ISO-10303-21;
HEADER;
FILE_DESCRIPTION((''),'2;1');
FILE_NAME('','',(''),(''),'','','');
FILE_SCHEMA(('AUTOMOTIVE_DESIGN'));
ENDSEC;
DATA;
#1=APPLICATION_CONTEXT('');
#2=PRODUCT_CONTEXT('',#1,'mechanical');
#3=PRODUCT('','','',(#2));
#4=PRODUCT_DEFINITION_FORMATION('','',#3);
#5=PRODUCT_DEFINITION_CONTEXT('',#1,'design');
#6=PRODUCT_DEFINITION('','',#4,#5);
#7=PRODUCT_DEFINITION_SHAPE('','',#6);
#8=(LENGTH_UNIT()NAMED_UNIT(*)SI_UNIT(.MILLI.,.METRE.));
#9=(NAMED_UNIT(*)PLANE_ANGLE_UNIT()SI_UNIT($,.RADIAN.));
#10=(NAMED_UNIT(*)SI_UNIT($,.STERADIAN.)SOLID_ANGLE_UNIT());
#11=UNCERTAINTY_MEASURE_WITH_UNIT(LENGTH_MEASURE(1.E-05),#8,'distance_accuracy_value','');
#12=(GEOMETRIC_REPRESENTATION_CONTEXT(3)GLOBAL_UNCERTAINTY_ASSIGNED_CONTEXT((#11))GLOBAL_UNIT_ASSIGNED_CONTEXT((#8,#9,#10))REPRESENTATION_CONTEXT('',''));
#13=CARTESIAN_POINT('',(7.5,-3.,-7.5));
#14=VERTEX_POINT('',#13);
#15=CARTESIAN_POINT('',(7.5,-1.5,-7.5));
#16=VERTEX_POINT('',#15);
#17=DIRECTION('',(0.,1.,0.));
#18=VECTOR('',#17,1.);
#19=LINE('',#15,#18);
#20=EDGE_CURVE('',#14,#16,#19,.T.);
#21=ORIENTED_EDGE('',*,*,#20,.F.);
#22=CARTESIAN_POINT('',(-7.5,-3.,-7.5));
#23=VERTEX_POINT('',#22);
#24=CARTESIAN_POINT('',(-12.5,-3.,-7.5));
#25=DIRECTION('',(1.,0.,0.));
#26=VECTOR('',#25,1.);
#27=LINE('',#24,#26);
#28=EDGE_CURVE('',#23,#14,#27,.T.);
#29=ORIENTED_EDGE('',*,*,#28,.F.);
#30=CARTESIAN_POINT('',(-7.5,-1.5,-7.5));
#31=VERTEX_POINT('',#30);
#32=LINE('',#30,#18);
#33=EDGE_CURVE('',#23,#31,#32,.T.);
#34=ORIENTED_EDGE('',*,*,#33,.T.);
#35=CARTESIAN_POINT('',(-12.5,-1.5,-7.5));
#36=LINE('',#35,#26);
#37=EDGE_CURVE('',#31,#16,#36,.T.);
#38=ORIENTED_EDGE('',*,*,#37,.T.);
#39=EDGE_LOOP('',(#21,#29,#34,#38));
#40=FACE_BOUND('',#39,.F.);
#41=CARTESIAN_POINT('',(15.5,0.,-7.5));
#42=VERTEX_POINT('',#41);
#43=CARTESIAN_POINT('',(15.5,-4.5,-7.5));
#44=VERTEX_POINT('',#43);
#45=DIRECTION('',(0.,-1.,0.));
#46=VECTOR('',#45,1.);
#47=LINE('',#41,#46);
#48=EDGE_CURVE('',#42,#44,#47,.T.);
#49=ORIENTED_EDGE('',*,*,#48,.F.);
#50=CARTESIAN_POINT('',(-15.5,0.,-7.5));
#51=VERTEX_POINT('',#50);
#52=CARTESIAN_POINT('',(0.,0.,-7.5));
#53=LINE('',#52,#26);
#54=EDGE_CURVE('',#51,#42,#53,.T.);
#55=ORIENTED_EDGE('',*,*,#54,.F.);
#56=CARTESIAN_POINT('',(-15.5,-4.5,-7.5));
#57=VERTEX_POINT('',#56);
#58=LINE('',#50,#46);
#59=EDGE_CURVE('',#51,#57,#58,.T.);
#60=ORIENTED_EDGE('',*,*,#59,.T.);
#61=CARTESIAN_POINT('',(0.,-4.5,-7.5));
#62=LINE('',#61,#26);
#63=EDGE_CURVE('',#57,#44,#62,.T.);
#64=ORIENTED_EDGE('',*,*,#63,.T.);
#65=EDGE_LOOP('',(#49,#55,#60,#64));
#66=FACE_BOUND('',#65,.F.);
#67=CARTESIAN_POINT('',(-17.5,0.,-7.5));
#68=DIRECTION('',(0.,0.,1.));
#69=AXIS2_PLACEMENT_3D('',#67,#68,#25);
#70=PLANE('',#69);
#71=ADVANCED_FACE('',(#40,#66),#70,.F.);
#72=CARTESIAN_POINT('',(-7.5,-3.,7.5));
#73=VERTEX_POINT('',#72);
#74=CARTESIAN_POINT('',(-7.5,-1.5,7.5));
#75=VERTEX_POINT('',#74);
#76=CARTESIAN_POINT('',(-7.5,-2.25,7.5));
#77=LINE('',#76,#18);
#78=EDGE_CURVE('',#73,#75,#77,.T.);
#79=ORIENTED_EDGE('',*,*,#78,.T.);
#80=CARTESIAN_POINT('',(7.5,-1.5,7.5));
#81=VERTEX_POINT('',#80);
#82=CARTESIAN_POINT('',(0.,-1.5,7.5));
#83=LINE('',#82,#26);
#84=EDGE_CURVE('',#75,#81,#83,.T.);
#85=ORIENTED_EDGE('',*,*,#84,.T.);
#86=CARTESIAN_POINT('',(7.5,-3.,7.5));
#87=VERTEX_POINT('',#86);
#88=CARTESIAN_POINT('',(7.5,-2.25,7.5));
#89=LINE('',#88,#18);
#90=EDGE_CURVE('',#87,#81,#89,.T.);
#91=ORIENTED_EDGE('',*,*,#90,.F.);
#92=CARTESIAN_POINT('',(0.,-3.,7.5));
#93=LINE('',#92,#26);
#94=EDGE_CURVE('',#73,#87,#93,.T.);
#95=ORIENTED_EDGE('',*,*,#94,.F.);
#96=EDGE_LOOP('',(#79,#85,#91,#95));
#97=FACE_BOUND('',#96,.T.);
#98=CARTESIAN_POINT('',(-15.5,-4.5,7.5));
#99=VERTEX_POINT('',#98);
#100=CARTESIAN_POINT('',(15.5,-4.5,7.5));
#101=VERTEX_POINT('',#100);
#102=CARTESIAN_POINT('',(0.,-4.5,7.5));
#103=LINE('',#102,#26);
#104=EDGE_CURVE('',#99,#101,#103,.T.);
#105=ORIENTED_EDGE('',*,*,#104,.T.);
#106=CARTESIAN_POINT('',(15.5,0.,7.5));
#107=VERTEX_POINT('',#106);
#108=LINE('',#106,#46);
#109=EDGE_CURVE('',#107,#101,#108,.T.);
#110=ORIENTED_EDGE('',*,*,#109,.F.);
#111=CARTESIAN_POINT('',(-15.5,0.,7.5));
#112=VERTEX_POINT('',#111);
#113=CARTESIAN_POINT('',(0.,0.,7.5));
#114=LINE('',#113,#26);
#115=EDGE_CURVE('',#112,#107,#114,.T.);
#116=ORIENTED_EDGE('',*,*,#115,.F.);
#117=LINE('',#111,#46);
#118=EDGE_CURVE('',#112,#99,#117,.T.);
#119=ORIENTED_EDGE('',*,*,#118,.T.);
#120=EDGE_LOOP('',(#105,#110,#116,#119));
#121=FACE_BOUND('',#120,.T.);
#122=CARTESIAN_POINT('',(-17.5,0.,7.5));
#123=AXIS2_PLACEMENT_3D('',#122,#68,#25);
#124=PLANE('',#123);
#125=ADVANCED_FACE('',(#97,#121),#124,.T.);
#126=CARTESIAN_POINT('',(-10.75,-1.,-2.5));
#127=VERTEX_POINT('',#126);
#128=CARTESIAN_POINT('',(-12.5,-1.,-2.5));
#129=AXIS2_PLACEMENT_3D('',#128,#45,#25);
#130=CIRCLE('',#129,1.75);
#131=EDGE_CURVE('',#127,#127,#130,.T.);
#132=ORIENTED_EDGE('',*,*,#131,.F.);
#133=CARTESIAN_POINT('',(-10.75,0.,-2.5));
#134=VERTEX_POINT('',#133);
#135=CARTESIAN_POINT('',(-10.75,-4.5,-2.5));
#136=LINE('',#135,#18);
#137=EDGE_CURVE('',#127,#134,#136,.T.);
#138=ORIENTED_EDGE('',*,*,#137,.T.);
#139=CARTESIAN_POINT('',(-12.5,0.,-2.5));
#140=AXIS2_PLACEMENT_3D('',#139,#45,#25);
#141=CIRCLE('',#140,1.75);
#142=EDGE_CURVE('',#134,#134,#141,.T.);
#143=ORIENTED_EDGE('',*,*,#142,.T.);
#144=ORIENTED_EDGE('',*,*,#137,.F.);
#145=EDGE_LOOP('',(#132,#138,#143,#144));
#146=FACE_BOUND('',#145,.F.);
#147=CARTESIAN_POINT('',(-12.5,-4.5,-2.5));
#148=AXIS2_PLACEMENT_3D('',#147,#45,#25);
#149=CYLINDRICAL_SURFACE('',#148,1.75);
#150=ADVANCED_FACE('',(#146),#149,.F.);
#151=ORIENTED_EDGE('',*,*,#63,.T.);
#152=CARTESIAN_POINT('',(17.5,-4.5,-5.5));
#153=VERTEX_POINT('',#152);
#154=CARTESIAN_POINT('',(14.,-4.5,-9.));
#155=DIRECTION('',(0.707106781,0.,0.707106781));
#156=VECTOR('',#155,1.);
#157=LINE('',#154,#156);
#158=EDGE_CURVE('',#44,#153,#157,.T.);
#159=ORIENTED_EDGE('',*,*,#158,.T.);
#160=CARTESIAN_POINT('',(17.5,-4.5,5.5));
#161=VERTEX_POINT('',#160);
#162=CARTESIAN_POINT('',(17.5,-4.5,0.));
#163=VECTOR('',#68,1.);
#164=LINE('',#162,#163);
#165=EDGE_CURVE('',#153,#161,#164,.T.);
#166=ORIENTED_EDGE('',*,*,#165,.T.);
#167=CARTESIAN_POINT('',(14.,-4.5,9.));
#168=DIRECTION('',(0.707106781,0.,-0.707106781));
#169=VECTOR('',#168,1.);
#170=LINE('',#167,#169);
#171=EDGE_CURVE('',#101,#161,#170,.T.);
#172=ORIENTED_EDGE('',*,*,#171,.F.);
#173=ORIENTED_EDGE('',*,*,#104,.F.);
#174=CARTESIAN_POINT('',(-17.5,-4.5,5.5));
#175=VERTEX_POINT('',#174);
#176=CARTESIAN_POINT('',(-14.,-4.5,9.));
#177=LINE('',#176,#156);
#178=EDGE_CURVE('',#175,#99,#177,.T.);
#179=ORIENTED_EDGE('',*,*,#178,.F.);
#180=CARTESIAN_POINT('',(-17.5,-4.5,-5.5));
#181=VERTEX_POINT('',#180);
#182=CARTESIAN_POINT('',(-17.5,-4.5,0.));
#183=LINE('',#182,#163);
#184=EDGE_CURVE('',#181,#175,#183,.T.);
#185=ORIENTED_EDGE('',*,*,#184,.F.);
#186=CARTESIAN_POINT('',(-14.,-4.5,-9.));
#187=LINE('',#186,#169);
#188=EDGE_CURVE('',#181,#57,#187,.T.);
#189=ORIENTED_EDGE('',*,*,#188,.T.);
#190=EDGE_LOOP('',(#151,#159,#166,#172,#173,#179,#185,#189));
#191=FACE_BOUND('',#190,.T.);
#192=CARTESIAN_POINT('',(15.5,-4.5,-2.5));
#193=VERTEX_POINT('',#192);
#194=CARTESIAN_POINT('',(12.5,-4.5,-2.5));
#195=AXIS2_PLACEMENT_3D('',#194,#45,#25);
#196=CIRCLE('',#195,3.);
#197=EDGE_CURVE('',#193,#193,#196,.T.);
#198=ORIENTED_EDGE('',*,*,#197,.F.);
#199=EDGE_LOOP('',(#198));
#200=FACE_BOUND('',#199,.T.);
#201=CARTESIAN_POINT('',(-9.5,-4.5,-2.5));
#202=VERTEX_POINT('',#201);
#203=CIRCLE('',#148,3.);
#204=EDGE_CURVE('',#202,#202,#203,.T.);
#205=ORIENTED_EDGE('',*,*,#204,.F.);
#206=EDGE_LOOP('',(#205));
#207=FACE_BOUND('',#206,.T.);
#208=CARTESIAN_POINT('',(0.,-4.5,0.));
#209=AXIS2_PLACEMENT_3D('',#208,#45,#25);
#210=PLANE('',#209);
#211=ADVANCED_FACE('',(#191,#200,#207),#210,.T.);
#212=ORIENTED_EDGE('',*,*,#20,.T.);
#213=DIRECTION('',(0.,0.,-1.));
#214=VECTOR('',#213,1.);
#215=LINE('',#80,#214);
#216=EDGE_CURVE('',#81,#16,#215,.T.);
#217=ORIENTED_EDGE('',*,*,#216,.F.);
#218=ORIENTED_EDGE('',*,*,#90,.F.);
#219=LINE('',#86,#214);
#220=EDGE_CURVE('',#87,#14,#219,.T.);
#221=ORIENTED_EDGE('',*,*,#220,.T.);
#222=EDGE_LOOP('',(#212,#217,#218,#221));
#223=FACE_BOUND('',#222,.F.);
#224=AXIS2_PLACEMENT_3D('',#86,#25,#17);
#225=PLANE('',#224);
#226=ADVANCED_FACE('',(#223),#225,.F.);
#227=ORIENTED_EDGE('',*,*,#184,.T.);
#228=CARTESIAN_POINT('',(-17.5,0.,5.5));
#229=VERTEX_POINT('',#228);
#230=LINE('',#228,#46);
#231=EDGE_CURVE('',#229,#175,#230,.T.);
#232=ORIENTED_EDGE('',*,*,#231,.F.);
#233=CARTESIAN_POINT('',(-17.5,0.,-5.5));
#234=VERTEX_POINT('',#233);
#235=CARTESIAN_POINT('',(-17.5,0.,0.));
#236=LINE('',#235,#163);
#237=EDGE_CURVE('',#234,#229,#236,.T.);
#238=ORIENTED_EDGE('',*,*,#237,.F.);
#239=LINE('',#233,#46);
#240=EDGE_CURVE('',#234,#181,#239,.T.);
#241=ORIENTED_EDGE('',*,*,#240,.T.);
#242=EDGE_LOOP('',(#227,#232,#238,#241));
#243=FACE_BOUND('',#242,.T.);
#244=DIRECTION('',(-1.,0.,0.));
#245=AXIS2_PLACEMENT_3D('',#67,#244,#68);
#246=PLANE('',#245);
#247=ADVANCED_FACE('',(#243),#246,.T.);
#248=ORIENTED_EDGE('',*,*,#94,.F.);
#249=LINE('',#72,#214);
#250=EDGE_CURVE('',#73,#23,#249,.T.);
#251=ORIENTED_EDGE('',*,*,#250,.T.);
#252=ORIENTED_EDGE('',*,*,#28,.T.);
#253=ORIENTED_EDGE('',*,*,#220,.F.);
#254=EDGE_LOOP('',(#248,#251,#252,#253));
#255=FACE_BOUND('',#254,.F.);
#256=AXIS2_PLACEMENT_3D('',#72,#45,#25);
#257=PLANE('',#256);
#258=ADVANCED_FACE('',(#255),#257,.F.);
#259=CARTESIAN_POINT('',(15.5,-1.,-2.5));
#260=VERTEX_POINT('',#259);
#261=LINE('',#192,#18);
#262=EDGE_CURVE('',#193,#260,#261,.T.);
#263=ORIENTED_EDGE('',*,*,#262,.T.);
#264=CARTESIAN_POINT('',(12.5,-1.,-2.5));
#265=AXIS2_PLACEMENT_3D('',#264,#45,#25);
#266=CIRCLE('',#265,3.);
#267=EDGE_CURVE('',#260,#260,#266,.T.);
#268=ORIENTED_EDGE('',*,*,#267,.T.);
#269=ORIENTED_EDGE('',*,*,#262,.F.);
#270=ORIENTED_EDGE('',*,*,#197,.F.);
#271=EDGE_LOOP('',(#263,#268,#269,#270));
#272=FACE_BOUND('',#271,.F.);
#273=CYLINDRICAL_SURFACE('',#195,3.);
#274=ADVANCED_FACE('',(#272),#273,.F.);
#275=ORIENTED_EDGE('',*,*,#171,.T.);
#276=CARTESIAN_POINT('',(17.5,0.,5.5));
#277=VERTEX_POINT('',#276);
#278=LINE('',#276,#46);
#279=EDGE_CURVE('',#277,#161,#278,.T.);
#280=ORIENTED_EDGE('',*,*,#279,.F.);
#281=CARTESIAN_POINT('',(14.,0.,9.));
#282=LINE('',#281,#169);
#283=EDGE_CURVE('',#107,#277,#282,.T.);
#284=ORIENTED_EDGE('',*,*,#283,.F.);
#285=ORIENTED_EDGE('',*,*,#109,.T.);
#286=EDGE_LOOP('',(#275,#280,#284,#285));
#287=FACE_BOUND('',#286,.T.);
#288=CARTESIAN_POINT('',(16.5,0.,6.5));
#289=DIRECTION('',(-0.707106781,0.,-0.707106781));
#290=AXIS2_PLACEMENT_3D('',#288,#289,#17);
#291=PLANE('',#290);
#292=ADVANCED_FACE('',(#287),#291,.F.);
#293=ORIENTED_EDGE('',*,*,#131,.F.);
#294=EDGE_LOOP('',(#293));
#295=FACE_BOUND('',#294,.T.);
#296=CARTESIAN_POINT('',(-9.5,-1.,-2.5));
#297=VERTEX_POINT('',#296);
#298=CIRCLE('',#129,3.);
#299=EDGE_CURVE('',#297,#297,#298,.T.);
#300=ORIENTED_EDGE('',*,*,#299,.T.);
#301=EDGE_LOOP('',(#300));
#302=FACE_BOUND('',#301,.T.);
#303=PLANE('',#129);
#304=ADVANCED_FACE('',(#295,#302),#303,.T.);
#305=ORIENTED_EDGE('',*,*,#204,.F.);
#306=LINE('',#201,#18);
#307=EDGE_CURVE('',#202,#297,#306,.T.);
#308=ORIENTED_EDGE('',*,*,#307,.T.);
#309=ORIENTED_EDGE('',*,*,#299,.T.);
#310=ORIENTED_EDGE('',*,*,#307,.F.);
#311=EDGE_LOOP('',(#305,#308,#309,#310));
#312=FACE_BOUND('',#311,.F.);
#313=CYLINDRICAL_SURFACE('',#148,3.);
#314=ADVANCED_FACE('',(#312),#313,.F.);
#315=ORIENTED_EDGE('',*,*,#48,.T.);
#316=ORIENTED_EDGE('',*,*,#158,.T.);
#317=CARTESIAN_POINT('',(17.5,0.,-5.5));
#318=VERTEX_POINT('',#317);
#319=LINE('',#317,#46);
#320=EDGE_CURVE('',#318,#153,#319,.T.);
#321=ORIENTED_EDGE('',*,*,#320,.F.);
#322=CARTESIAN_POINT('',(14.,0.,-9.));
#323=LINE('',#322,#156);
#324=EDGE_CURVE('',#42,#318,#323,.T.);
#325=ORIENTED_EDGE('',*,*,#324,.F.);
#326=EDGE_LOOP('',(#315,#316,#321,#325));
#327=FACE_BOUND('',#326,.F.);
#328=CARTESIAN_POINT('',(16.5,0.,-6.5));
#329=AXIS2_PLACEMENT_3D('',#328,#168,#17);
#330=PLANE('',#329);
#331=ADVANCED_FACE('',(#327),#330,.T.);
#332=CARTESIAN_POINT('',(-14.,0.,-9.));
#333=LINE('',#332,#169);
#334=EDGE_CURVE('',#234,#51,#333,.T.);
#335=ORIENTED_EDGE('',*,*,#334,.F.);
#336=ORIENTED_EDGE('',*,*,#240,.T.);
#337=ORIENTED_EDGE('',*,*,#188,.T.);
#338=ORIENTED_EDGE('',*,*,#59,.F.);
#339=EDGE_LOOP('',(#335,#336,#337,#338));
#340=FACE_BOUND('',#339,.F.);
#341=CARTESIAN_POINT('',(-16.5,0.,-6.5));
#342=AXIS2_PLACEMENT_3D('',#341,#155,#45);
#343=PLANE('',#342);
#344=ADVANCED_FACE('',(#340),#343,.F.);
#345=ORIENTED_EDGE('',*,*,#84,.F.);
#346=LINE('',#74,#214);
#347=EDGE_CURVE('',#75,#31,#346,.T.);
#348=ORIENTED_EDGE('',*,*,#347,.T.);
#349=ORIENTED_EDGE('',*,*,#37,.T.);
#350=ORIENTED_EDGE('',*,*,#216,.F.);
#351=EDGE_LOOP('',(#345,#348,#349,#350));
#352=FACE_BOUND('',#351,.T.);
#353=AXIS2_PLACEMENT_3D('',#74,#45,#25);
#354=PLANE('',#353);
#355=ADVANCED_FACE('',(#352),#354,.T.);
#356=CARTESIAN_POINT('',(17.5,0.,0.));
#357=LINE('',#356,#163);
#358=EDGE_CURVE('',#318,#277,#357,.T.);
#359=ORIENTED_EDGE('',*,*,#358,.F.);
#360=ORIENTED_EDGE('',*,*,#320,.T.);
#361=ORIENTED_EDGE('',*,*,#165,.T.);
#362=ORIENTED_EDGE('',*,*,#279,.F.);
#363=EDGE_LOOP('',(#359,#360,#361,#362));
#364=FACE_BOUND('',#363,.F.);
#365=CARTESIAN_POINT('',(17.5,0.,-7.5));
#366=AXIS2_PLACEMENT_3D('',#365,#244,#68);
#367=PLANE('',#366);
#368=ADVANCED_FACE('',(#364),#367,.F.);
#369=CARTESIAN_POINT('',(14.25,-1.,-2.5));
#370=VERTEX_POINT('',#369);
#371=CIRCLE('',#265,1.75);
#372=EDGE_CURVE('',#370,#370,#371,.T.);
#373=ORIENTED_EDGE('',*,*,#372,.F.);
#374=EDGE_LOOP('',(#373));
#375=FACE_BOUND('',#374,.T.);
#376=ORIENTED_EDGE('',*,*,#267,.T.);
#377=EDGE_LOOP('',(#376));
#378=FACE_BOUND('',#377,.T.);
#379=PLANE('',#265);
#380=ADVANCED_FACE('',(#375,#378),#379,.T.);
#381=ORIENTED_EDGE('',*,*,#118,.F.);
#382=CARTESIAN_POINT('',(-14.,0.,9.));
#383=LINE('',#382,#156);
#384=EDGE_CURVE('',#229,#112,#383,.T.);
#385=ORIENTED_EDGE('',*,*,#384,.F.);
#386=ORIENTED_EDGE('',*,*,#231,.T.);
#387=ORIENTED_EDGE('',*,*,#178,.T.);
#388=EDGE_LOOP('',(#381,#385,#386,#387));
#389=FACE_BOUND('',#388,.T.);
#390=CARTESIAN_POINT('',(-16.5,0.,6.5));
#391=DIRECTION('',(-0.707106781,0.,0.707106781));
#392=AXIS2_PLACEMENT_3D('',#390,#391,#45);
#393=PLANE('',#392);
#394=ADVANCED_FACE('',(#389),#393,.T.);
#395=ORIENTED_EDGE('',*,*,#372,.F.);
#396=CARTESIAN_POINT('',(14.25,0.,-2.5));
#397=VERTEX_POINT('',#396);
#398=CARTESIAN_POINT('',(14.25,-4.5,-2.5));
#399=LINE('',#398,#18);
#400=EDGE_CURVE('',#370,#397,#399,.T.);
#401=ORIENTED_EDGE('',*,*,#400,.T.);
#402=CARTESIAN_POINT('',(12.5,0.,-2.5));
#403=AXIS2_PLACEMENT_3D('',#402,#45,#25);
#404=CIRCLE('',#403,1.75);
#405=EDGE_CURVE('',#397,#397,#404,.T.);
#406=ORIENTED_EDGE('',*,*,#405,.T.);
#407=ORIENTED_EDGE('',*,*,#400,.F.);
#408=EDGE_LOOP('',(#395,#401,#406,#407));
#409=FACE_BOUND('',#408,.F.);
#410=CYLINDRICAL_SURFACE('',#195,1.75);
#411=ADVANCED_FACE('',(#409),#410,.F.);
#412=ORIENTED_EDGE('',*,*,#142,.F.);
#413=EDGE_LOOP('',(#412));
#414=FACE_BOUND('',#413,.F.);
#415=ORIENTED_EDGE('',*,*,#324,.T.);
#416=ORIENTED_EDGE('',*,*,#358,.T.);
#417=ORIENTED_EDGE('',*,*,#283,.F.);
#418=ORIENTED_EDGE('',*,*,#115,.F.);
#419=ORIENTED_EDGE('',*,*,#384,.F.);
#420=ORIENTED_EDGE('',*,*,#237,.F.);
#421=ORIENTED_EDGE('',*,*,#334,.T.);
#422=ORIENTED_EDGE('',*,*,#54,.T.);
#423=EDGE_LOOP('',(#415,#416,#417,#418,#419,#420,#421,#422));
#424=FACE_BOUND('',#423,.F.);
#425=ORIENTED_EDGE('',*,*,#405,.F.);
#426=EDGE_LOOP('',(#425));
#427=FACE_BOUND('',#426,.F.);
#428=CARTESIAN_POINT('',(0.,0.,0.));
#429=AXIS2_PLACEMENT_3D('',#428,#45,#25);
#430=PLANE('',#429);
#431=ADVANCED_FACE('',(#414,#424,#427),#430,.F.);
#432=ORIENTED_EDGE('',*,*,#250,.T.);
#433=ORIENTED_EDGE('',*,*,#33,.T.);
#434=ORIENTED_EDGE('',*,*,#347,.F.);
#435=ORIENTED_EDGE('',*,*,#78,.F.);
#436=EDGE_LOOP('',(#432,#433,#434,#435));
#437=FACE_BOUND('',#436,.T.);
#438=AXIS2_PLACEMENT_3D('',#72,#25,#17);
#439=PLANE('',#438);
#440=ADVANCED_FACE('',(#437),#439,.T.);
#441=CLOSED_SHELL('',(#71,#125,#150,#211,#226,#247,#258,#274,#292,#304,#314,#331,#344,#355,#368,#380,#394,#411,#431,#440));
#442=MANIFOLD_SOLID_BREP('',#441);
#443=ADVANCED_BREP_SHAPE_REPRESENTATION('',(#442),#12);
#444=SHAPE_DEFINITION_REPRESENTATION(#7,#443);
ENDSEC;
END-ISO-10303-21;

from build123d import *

# Parameters (mm, degrees)
F0_W     = 35
F0_H     = 15
F1_DEPTH = 4.5
F2_W     = 15
F2_H     = 1.5
F3_DEPTH = 15.001
F4_R     = 3
F5_DEPTH = 3.5
F6_R     = 1.75
F7_DEPTH = 4.501
F8_SIZE  = 2


with BuildPart() as f1:
    # F0 (on Front) → F1 (new body)
    with BuildSketch(Plane.XZ):
        Rectangle(F0_W, F0_H)
    extrude(amount=F1_DEPTH)

    # F2 (on face) → F3 (cut, through all)
    with BuildSketch(Plane.XY.offset(7.5)):
        with Locations((0, -2.25)):
            Rectangle(F2_W, F2_H)
    extrude(amount=-F3_DEPTH, mode=Mode.SUBTRACT)

    # F4 (on face) → F5 (cut)
    with BuildSketch(Plane.XZ.offset(4.5)):
        with Locations((12.5, -2.5)):
            Circle(F4_R)
        with Locations((-12.5, -2.5)):
            Circle(F4_R)
    extrude(amount=-F5_DEPTH, mode=Mode.SUBTRACT)

    # F6 (on face) → F7 (cut, through all)
    with BuildSketch(Plane.XZ.offset(4.5)):
        with Locations((12.5, -2.5)):
            Circle(F6_R)
        with Locations((-12.5, -2.5)):
            Circle(F6_R)
    extrude(amount=-F7_DEPTH, mode=Mode.SUBTRACT)

    # F8
    f8_edges = [f1.edges().sort_by_distance(p)[0] for p in [
        (-17.5, -2.25, 7.5),
        (17.5, -2.25, 7.5),
        (17.5, -2.25, -7.5),
        (-17.5, -2.25, -7.5),
    ]]
    chamfer(f8_edges, length=F8_SIZE)


solid = f1.part
